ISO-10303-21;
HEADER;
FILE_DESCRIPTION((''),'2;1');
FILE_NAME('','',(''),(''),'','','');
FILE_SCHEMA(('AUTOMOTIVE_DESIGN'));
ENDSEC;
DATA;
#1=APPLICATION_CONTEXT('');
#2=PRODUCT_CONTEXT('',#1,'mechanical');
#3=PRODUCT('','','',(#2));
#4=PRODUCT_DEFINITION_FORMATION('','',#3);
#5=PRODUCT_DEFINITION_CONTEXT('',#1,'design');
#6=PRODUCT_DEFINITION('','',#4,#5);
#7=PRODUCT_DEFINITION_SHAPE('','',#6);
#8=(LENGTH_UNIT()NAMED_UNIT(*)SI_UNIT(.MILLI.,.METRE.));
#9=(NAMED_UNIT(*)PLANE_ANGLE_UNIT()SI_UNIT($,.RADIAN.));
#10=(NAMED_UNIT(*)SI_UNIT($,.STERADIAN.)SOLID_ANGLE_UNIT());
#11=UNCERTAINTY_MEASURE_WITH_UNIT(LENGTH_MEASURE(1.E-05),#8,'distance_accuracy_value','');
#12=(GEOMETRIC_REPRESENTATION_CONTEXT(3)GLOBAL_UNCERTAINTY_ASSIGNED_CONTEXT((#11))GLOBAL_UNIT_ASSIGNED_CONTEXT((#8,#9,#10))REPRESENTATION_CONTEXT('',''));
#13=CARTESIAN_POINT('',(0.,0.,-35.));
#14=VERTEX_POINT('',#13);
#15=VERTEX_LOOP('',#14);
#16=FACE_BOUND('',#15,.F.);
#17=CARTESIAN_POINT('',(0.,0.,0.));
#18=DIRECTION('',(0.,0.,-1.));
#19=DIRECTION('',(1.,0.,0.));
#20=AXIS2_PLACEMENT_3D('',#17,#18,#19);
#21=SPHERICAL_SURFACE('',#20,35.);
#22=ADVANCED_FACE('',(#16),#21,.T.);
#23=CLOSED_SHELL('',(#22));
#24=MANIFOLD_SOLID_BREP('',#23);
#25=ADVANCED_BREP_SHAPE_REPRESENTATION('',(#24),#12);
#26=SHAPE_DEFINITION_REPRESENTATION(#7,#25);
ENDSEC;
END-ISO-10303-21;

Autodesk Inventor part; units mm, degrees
sketch "Sketch1" plane through (0, 0, 0) normal (0, 1, 0) x (-1, 0, 0)
  arc A0 (0, 35) -> (0, -35) centre (0, 0) ccw
  line L0 (0, -35) -> (0, 35)
  line L1 (0, -49) -> (0, 49) projected
revolve "Revolution1" add sketch "Sketch1" angle 360 about axis through (0, 0, -10) along (0, 0, 1)
properties part number "70mm ball"
